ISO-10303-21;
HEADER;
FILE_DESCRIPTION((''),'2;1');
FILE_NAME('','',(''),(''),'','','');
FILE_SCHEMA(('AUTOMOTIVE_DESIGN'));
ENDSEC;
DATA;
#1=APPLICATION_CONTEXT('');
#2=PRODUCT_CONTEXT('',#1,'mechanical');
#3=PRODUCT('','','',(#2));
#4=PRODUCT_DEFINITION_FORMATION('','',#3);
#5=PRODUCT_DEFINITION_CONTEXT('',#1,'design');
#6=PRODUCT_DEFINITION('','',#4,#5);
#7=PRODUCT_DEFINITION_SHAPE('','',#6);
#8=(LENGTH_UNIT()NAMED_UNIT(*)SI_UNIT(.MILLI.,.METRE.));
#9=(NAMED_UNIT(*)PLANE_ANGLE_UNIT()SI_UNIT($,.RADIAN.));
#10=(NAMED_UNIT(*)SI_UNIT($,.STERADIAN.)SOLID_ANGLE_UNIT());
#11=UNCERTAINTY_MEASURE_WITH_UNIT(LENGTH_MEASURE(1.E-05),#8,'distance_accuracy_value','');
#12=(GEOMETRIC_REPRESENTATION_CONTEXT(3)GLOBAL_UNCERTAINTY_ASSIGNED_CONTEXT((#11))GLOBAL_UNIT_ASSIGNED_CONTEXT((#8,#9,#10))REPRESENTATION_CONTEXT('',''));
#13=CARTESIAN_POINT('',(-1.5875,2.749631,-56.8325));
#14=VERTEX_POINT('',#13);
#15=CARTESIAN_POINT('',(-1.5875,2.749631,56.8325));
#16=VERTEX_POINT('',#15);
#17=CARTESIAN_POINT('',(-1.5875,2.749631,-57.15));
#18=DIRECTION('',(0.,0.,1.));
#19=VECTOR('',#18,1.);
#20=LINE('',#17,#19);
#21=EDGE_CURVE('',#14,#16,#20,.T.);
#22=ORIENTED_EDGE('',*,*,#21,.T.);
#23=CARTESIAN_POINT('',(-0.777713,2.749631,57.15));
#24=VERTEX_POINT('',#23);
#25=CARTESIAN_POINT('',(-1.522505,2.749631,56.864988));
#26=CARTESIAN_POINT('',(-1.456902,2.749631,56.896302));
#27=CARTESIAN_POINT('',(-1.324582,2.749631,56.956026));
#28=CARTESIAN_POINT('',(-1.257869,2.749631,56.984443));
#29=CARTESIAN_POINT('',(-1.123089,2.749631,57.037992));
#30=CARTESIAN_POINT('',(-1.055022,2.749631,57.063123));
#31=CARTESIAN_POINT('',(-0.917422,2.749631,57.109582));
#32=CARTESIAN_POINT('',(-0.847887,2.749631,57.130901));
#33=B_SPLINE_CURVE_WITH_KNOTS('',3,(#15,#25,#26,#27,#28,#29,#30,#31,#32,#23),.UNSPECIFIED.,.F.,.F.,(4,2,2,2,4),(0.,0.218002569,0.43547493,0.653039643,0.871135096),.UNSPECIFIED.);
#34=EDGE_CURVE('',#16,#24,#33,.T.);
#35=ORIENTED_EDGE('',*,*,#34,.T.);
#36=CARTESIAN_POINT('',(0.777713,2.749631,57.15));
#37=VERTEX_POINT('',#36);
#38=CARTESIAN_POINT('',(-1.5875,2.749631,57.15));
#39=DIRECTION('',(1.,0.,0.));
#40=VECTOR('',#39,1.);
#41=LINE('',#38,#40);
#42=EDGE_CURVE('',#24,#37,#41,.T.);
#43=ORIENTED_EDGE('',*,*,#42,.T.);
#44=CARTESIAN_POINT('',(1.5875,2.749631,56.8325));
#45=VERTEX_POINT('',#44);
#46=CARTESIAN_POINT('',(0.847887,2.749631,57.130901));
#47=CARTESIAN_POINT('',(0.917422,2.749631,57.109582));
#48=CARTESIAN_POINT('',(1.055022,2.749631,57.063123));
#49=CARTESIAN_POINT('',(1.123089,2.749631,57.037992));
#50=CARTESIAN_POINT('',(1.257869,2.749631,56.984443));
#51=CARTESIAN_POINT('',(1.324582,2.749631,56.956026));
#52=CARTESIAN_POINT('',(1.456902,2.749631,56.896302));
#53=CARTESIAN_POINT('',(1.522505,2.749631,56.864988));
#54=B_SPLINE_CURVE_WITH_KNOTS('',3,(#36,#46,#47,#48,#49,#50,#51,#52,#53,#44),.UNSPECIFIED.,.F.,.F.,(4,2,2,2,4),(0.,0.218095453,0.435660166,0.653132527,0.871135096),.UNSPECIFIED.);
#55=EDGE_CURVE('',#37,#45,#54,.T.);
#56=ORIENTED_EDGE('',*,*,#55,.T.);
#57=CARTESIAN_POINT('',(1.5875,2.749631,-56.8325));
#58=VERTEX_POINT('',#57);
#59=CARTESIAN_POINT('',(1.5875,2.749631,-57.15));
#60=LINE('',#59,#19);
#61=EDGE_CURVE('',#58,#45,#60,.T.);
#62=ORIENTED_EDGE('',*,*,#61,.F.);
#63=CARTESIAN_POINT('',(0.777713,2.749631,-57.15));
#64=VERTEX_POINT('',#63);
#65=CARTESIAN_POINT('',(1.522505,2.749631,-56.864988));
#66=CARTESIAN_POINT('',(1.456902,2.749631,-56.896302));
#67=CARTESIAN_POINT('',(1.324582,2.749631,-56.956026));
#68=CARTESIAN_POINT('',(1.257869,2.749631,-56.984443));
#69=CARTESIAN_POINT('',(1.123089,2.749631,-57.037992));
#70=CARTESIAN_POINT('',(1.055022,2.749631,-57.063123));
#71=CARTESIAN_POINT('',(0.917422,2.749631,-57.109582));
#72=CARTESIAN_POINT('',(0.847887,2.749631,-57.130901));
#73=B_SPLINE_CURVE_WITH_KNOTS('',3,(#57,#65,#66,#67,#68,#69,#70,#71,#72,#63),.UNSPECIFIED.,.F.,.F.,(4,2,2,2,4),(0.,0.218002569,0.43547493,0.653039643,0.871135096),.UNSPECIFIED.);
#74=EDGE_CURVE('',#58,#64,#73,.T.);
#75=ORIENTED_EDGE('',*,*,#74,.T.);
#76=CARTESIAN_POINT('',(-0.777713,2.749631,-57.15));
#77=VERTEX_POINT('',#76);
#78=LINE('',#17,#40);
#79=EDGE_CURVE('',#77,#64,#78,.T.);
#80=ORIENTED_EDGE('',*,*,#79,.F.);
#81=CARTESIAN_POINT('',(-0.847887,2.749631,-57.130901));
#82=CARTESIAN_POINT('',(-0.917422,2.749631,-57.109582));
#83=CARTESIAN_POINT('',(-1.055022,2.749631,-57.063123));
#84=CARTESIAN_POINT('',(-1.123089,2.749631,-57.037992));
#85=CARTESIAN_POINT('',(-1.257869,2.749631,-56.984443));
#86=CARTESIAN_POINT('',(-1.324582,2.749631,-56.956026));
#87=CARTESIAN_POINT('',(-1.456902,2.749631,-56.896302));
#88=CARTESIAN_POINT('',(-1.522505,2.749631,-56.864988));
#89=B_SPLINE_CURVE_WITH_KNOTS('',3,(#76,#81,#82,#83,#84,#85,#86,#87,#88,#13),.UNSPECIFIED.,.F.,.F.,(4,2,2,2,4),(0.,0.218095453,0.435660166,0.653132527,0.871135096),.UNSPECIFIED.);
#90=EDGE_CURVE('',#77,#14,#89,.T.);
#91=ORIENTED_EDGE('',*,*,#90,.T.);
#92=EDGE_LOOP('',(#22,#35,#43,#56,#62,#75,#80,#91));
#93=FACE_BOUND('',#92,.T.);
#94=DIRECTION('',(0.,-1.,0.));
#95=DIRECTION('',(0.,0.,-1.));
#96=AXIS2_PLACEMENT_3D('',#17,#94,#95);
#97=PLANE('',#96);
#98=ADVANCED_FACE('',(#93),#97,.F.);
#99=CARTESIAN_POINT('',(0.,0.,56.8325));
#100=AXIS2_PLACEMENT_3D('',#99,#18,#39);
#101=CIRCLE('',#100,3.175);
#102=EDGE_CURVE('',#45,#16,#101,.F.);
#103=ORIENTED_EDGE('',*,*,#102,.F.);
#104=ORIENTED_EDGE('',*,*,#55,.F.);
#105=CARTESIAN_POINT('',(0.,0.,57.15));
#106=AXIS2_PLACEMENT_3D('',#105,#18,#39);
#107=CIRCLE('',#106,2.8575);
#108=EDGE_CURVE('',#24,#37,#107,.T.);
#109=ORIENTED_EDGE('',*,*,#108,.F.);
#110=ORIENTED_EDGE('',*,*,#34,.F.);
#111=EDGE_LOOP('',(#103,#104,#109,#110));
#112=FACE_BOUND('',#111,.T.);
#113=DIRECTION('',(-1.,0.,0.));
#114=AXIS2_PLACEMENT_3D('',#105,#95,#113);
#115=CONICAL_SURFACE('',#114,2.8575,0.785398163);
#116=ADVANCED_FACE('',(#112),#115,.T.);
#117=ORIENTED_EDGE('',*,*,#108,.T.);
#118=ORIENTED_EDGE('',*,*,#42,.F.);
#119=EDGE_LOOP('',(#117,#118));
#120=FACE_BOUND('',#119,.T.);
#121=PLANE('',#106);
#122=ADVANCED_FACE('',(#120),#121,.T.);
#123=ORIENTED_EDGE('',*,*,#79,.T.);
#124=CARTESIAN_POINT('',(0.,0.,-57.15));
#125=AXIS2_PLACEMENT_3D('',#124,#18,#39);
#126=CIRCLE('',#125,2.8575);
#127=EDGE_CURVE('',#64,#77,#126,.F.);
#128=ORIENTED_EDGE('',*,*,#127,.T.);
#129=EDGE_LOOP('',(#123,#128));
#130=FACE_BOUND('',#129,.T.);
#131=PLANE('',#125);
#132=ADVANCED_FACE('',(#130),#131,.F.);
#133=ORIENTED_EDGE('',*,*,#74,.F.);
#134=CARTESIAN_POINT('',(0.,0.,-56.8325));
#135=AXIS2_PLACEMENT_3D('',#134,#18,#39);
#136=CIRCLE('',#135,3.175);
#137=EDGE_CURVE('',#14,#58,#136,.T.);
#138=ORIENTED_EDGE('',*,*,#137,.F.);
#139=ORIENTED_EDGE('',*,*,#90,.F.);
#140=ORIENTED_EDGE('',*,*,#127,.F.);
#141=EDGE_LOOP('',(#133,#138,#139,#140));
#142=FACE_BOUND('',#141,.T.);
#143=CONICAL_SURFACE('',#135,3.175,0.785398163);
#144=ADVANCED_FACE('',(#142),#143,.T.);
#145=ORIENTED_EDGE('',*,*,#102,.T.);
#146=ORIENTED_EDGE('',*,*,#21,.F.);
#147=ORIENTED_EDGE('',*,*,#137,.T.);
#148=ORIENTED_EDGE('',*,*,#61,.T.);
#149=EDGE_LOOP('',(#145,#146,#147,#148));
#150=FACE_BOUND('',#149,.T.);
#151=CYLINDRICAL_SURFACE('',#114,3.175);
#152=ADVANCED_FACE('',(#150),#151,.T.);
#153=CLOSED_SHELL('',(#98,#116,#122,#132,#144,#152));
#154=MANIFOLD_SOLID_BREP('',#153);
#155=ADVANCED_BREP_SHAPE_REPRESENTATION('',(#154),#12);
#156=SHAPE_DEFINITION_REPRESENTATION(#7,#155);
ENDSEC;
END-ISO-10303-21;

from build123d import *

# Parameters (mm, degrees)
SKETCH3_R                = 3.175
BOSS_EXTRUDE2_DEPTH      = 57.15
BOSS_EXTRUDE2_DEPTH_BACK = 57.15
CUT_EXTRUDE5_DEPTH       = 58.15
CUT_EXTRUDE5_DEPTH_BACK  = 58.15
CHAMFER1_SIZE            = 0.3175


with BuildPart() as part:
    # Sketch3 → Boss-Extrude2 (new body, two sides)
    with BuildSketch(Plane.XY) as boss_extrude2_sk:
        Circle(SKETCH3_R)
    extrude(amount=BOSS_EXTRUDE2_DEPTH)
    extrude(boss_extrude2_sk.sketch, amount=-BOSS_EXTRUDE2_DEPTH_BACK)

    # Sketch10 → Cut-Extrude5 (cut, two sides)
    with BuildSketch(Plane.XY) as cut_extrude5_sk:
        with BuildLine():
            Line((-1.5875, 2.749630657), (1.5875, 2.749630657))
            ThreePointArc((1.5875, 2.749630657), (0, 3.175), (-1.5875, 2.749630657))
        make_face()
    extrude(amount=CUT_EXTRUDE5_DEPTH, mode=Mode.SUBTRACT)
    extrude(cut_extrude5_sk.sketch, amount=-CUT_EXTRUDE5_DEPTH_BACK, mode=Mode.SUBTRACT)

    # Chamfer1
    chamfer1_edges = [part.edges().sort_by_distance(p)[0] for p in [
        (0, -3.175, -57.15),
        (0, -3.175, 57.15),
    ]]
    chamfer(chamfer1_edges, length=CHAMFER1_SIZE)


solid = part.part
